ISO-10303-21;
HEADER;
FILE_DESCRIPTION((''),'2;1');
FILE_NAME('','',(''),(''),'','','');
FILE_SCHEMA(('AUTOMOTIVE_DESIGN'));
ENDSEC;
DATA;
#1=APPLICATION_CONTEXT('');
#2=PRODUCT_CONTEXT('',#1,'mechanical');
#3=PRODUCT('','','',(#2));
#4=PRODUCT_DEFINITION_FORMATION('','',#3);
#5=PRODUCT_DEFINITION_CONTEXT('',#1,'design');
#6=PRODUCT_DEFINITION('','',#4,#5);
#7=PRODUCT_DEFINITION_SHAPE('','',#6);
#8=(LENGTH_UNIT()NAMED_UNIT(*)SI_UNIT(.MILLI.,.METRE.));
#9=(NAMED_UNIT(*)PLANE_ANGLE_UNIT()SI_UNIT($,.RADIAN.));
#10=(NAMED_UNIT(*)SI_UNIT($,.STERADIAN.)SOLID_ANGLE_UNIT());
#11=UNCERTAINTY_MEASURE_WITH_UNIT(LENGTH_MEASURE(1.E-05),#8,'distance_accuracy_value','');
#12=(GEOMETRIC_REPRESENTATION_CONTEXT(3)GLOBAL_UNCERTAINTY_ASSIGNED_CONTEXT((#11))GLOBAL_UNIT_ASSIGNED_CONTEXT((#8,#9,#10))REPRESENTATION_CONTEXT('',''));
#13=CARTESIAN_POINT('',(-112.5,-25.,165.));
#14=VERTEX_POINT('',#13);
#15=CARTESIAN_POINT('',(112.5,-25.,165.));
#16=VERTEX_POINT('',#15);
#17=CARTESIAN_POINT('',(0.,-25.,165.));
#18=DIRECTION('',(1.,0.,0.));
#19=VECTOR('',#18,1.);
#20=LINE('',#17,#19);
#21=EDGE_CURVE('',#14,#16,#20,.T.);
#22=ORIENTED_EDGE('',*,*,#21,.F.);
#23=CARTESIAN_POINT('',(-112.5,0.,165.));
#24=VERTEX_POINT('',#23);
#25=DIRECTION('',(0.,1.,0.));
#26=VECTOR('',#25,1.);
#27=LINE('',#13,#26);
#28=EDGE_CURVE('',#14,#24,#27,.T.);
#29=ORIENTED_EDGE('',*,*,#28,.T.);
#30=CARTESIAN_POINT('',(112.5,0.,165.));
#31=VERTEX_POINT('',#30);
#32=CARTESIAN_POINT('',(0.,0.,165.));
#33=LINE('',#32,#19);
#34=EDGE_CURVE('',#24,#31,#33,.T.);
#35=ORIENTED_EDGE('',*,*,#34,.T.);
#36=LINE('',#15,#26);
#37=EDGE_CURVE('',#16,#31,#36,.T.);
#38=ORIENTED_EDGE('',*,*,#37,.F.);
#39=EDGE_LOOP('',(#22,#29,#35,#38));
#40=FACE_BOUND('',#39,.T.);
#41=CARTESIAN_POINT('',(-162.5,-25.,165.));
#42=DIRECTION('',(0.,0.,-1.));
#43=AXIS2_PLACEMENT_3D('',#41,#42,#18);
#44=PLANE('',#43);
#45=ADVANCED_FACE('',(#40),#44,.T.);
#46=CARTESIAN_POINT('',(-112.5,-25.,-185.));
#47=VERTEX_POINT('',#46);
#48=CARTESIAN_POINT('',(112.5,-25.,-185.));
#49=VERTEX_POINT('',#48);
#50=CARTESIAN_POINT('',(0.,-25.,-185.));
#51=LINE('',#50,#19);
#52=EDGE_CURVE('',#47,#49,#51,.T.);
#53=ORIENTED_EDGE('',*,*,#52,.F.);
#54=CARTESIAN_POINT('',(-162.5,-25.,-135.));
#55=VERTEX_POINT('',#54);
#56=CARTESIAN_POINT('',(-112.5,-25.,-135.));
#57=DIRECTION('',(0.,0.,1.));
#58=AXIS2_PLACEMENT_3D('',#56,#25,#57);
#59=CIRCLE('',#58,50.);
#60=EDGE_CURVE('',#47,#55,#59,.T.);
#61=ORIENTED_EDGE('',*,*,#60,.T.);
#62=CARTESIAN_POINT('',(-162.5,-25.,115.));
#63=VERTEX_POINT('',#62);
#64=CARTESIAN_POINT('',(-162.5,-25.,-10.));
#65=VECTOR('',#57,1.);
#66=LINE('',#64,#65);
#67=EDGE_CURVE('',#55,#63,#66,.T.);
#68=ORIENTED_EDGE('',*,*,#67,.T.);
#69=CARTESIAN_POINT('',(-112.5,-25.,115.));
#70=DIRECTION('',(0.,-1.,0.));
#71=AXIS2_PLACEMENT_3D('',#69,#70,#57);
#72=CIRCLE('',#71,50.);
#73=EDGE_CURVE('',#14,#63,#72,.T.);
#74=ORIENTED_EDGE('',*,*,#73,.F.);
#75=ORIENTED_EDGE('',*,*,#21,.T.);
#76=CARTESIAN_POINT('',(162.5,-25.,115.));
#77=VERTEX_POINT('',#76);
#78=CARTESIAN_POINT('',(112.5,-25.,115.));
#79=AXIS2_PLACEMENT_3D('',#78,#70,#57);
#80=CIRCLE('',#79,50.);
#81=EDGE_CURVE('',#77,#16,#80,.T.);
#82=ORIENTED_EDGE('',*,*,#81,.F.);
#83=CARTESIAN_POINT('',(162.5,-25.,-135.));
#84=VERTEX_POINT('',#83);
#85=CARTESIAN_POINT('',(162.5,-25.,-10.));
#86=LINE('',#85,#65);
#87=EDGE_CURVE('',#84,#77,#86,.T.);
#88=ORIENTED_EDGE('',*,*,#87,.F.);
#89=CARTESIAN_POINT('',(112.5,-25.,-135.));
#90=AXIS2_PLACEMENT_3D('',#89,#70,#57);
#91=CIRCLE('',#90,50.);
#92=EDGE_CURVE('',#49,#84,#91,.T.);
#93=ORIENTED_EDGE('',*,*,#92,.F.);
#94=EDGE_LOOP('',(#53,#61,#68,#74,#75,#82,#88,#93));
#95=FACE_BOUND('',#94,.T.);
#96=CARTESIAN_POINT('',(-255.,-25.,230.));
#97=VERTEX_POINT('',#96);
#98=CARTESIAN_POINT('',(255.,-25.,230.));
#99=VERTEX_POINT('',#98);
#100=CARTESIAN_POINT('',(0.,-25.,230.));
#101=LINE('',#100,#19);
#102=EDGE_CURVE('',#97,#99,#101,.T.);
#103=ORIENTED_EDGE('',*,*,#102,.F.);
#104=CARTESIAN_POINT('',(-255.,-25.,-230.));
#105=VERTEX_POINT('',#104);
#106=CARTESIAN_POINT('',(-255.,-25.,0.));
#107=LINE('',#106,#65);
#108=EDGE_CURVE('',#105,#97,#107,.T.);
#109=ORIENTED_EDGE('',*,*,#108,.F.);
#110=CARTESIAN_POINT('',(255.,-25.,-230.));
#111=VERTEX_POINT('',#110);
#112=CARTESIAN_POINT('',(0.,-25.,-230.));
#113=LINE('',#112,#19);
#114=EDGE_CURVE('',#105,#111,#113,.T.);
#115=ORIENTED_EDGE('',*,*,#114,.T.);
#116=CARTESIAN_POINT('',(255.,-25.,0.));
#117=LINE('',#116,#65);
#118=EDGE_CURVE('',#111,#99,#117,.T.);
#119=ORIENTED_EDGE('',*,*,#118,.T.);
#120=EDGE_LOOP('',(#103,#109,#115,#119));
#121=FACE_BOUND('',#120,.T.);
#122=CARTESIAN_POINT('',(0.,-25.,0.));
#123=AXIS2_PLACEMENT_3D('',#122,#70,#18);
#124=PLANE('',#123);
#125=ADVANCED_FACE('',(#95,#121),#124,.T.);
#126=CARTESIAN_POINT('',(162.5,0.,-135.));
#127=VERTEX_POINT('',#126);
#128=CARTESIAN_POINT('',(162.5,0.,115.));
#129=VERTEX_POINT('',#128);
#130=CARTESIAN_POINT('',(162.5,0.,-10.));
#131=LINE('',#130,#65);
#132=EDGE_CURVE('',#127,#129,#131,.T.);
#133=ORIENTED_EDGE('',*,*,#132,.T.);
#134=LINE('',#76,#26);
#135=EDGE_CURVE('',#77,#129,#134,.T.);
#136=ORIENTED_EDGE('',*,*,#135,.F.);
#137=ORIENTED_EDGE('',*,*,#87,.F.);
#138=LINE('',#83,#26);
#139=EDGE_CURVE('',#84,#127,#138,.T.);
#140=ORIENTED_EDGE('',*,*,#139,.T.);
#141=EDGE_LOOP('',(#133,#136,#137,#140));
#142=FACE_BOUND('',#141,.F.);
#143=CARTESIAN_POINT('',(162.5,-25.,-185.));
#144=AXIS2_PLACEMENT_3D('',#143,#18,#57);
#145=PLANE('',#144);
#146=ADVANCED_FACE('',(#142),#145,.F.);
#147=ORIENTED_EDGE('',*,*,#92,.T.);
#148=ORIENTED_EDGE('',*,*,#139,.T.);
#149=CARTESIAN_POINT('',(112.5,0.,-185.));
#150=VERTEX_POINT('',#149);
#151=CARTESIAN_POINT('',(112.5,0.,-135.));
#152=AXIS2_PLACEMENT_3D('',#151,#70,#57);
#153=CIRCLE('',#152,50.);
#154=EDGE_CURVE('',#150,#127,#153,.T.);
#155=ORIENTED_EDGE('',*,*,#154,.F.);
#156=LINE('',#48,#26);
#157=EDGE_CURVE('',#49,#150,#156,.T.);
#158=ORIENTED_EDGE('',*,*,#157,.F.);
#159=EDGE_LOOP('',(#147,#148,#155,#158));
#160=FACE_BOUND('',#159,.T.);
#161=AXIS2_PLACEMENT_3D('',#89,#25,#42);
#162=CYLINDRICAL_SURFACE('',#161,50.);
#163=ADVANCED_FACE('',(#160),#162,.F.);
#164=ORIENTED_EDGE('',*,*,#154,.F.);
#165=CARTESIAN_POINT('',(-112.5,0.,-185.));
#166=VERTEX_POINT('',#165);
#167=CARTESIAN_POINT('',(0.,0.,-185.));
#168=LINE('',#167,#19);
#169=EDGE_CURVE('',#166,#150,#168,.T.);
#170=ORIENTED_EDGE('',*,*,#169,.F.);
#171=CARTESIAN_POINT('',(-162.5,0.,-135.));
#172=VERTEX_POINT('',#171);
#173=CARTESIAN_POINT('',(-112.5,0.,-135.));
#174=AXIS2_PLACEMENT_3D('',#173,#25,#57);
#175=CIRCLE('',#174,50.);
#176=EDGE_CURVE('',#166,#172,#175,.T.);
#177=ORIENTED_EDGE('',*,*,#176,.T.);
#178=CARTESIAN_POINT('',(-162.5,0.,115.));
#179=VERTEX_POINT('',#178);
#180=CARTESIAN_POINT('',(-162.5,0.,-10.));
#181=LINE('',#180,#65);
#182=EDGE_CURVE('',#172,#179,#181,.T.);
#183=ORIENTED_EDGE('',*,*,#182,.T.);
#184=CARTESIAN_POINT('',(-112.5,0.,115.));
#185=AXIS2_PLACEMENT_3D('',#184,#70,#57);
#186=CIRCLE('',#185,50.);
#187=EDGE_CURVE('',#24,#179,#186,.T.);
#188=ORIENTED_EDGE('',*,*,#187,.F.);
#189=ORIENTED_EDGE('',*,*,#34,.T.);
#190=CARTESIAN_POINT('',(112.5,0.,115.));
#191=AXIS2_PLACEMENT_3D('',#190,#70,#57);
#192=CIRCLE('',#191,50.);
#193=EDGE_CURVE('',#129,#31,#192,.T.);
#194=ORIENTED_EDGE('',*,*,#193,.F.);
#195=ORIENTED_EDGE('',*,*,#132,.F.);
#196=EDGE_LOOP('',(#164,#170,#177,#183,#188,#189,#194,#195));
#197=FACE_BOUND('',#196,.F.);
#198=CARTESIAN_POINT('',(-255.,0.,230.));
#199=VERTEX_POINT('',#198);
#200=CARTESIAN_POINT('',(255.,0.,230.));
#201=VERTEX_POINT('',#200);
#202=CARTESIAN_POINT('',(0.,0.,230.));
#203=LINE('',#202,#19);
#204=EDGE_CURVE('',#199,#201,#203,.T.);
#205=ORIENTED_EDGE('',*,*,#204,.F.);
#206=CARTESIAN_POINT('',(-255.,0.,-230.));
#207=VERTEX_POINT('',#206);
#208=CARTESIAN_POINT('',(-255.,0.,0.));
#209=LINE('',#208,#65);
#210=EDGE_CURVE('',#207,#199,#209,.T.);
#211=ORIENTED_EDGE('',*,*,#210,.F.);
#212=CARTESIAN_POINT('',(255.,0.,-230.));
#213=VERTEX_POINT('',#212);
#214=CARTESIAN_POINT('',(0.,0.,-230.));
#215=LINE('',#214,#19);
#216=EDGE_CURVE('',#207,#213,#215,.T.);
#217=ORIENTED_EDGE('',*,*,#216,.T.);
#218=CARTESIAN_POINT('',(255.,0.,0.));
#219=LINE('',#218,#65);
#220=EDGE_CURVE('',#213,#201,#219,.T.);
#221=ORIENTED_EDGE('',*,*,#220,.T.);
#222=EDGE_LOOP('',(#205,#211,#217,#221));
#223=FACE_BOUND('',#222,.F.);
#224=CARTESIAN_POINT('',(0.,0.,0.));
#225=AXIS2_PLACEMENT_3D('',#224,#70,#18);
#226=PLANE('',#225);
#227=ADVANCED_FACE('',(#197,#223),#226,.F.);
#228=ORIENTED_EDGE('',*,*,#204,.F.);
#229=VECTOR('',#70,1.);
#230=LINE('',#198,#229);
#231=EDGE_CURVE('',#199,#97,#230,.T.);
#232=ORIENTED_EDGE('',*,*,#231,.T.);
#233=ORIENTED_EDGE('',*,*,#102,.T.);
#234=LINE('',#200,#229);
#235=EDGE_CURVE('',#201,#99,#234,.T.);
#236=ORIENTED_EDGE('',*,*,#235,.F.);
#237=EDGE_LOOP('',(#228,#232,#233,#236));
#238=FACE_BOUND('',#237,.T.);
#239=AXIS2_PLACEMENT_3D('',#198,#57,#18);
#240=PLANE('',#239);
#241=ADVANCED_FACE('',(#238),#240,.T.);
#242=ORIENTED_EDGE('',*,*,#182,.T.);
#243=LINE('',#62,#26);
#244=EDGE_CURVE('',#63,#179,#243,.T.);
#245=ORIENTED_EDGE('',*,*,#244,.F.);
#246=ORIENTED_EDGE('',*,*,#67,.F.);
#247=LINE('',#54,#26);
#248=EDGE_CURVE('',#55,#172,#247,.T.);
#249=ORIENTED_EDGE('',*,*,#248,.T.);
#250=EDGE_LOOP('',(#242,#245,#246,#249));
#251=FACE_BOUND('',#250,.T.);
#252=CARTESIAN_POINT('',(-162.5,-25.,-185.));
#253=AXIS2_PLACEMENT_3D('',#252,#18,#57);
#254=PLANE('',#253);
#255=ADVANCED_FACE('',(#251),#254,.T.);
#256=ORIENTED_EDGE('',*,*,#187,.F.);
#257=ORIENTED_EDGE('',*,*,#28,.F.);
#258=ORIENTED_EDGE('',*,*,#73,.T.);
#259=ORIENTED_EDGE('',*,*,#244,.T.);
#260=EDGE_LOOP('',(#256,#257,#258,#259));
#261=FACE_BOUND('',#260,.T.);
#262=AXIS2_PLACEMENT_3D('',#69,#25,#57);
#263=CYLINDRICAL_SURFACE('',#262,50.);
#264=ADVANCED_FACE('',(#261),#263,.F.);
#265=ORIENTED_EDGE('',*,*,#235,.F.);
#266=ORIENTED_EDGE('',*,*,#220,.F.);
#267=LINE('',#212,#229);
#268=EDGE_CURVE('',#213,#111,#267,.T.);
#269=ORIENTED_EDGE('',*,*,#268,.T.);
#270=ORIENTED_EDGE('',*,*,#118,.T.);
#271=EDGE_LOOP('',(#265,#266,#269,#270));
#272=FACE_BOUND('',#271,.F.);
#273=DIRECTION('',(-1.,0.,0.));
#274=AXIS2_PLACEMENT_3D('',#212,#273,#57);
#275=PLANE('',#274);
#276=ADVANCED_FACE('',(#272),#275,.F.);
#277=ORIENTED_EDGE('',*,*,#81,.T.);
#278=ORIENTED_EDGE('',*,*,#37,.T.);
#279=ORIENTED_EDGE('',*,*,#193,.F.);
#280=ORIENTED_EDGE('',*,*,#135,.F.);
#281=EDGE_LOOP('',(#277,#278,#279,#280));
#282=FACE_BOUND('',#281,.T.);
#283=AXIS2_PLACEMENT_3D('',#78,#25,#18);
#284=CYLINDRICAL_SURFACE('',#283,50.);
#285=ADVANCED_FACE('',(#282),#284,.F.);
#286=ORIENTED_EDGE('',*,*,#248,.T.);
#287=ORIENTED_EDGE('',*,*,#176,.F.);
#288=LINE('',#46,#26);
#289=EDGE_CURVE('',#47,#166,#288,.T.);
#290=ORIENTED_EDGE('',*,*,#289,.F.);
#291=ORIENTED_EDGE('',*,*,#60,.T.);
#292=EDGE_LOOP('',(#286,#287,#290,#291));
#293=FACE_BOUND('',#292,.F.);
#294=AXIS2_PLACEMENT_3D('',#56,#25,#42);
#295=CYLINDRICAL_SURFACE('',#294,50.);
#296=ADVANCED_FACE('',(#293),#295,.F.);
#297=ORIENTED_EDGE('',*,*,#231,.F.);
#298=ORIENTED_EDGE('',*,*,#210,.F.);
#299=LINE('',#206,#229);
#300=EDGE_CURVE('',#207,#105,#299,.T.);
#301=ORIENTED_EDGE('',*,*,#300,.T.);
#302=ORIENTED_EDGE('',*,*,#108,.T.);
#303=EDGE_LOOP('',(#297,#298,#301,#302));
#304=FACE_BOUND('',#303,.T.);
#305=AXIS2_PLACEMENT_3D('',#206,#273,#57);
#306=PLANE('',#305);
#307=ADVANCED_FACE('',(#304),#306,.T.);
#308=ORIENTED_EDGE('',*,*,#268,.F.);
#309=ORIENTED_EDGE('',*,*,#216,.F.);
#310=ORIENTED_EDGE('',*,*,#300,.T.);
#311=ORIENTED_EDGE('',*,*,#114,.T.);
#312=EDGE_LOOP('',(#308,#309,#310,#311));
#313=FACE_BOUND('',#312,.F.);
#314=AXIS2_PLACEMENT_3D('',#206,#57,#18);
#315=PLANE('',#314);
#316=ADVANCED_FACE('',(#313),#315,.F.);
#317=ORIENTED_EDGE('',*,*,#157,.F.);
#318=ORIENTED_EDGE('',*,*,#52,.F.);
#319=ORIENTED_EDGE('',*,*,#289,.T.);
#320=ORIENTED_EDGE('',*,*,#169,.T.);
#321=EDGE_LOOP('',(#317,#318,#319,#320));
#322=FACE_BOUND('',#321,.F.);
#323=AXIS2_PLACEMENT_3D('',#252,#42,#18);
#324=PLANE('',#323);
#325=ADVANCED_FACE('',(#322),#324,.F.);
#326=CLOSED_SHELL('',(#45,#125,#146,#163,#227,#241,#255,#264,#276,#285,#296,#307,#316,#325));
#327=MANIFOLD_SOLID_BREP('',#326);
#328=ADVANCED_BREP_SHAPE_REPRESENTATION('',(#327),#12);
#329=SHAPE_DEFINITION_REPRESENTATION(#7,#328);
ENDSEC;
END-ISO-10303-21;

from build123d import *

# Parameters (mm, degrees)
F0_W     = 510
F0_H     = 460
F1_DEPTH = 25
F2_W     = 325
F2_H     = 350
F3_DEPTH = 25
F4_R     = 50


with BuildPart() as f1:
    # F0 (on Front) → F1 (new body)
    with BuildSketch(Plane.XZ):
        Rectangle(F0_W, F0_H)
    extrude(amount=F1_DEPTH)

    # F2 (on face) → F3 (cut)
    with BuildSketch(Plane.XZ.offset(25)):
        with Locations((0, -10)):
            Rectangle(F2_W, F2_H)
    extrude(amount=-F3_DEPTH, mode=Mode.SUBTRACT)

    # F4
    f4_edges = [f1.edges().sort_by_distance(p)[0] for p in [
        (-162.5, -12.5, 165),
        (162.5, -12.5, 165),
        (-162.5, -12.5, -185),
        (162.5, -12.5, -185),
    ]]
    fillet(f4_edges, radius=F4_R)


solid = f1.part
